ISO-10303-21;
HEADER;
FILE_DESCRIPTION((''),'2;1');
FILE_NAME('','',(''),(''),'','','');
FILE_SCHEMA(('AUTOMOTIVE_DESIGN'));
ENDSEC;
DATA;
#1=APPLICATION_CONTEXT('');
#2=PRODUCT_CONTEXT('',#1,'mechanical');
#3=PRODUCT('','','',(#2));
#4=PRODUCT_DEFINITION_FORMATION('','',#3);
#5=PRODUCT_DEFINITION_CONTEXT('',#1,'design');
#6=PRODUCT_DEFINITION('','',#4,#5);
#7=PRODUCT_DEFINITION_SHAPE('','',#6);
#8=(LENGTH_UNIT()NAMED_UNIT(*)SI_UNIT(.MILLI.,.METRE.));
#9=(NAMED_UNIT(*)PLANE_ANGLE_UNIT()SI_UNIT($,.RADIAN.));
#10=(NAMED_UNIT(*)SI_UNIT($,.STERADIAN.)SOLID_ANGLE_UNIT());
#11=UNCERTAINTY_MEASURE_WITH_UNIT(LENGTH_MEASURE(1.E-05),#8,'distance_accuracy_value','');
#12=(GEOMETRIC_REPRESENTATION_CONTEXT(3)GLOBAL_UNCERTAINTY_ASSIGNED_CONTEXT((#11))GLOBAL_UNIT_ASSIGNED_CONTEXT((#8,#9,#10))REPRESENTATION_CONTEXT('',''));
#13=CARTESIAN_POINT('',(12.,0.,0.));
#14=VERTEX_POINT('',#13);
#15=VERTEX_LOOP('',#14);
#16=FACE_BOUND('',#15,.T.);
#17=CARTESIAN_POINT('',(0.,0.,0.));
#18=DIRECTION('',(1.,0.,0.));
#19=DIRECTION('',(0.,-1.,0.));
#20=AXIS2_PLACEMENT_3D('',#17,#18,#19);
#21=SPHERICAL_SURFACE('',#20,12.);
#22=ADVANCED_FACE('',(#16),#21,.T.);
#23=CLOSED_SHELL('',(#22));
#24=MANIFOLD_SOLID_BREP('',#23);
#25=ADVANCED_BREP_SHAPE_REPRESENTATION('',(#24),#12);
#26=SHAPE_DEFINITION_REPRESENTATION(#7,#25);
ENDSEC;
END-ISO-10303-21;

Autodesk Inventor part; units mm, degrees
ref_plane "YZ Plane" through (0, 0, 0) normal (1, 0, 0) x (0, 1, 0)
ref_plane "XZ Plane" through (0, 0, 0) normal (0, 1, 0) x (-1, 0, 0)
ref_plane "XY Plane" through (0, 0, 0) normal (0, 0, 1) x (1, 0, 0)
sketch "Sketch1" plane through (0, 0, 0) normal (0, 0, 1) x (1, 0, 0)
  line L0 (-16.8, 0) -> (16.8, 0) projected
  arc A0 (-12, 0) -> (12, 0) centre (0, 0) ccw
  line L1 (-12, 0) -> (12, 0)
  dimension "d0" = 12
revolve "Revolution1" add sketch "Sketch1" angle 360 about axis through (-10, 0, 0) along (1, 0, 0)
properties part number "Bila"
